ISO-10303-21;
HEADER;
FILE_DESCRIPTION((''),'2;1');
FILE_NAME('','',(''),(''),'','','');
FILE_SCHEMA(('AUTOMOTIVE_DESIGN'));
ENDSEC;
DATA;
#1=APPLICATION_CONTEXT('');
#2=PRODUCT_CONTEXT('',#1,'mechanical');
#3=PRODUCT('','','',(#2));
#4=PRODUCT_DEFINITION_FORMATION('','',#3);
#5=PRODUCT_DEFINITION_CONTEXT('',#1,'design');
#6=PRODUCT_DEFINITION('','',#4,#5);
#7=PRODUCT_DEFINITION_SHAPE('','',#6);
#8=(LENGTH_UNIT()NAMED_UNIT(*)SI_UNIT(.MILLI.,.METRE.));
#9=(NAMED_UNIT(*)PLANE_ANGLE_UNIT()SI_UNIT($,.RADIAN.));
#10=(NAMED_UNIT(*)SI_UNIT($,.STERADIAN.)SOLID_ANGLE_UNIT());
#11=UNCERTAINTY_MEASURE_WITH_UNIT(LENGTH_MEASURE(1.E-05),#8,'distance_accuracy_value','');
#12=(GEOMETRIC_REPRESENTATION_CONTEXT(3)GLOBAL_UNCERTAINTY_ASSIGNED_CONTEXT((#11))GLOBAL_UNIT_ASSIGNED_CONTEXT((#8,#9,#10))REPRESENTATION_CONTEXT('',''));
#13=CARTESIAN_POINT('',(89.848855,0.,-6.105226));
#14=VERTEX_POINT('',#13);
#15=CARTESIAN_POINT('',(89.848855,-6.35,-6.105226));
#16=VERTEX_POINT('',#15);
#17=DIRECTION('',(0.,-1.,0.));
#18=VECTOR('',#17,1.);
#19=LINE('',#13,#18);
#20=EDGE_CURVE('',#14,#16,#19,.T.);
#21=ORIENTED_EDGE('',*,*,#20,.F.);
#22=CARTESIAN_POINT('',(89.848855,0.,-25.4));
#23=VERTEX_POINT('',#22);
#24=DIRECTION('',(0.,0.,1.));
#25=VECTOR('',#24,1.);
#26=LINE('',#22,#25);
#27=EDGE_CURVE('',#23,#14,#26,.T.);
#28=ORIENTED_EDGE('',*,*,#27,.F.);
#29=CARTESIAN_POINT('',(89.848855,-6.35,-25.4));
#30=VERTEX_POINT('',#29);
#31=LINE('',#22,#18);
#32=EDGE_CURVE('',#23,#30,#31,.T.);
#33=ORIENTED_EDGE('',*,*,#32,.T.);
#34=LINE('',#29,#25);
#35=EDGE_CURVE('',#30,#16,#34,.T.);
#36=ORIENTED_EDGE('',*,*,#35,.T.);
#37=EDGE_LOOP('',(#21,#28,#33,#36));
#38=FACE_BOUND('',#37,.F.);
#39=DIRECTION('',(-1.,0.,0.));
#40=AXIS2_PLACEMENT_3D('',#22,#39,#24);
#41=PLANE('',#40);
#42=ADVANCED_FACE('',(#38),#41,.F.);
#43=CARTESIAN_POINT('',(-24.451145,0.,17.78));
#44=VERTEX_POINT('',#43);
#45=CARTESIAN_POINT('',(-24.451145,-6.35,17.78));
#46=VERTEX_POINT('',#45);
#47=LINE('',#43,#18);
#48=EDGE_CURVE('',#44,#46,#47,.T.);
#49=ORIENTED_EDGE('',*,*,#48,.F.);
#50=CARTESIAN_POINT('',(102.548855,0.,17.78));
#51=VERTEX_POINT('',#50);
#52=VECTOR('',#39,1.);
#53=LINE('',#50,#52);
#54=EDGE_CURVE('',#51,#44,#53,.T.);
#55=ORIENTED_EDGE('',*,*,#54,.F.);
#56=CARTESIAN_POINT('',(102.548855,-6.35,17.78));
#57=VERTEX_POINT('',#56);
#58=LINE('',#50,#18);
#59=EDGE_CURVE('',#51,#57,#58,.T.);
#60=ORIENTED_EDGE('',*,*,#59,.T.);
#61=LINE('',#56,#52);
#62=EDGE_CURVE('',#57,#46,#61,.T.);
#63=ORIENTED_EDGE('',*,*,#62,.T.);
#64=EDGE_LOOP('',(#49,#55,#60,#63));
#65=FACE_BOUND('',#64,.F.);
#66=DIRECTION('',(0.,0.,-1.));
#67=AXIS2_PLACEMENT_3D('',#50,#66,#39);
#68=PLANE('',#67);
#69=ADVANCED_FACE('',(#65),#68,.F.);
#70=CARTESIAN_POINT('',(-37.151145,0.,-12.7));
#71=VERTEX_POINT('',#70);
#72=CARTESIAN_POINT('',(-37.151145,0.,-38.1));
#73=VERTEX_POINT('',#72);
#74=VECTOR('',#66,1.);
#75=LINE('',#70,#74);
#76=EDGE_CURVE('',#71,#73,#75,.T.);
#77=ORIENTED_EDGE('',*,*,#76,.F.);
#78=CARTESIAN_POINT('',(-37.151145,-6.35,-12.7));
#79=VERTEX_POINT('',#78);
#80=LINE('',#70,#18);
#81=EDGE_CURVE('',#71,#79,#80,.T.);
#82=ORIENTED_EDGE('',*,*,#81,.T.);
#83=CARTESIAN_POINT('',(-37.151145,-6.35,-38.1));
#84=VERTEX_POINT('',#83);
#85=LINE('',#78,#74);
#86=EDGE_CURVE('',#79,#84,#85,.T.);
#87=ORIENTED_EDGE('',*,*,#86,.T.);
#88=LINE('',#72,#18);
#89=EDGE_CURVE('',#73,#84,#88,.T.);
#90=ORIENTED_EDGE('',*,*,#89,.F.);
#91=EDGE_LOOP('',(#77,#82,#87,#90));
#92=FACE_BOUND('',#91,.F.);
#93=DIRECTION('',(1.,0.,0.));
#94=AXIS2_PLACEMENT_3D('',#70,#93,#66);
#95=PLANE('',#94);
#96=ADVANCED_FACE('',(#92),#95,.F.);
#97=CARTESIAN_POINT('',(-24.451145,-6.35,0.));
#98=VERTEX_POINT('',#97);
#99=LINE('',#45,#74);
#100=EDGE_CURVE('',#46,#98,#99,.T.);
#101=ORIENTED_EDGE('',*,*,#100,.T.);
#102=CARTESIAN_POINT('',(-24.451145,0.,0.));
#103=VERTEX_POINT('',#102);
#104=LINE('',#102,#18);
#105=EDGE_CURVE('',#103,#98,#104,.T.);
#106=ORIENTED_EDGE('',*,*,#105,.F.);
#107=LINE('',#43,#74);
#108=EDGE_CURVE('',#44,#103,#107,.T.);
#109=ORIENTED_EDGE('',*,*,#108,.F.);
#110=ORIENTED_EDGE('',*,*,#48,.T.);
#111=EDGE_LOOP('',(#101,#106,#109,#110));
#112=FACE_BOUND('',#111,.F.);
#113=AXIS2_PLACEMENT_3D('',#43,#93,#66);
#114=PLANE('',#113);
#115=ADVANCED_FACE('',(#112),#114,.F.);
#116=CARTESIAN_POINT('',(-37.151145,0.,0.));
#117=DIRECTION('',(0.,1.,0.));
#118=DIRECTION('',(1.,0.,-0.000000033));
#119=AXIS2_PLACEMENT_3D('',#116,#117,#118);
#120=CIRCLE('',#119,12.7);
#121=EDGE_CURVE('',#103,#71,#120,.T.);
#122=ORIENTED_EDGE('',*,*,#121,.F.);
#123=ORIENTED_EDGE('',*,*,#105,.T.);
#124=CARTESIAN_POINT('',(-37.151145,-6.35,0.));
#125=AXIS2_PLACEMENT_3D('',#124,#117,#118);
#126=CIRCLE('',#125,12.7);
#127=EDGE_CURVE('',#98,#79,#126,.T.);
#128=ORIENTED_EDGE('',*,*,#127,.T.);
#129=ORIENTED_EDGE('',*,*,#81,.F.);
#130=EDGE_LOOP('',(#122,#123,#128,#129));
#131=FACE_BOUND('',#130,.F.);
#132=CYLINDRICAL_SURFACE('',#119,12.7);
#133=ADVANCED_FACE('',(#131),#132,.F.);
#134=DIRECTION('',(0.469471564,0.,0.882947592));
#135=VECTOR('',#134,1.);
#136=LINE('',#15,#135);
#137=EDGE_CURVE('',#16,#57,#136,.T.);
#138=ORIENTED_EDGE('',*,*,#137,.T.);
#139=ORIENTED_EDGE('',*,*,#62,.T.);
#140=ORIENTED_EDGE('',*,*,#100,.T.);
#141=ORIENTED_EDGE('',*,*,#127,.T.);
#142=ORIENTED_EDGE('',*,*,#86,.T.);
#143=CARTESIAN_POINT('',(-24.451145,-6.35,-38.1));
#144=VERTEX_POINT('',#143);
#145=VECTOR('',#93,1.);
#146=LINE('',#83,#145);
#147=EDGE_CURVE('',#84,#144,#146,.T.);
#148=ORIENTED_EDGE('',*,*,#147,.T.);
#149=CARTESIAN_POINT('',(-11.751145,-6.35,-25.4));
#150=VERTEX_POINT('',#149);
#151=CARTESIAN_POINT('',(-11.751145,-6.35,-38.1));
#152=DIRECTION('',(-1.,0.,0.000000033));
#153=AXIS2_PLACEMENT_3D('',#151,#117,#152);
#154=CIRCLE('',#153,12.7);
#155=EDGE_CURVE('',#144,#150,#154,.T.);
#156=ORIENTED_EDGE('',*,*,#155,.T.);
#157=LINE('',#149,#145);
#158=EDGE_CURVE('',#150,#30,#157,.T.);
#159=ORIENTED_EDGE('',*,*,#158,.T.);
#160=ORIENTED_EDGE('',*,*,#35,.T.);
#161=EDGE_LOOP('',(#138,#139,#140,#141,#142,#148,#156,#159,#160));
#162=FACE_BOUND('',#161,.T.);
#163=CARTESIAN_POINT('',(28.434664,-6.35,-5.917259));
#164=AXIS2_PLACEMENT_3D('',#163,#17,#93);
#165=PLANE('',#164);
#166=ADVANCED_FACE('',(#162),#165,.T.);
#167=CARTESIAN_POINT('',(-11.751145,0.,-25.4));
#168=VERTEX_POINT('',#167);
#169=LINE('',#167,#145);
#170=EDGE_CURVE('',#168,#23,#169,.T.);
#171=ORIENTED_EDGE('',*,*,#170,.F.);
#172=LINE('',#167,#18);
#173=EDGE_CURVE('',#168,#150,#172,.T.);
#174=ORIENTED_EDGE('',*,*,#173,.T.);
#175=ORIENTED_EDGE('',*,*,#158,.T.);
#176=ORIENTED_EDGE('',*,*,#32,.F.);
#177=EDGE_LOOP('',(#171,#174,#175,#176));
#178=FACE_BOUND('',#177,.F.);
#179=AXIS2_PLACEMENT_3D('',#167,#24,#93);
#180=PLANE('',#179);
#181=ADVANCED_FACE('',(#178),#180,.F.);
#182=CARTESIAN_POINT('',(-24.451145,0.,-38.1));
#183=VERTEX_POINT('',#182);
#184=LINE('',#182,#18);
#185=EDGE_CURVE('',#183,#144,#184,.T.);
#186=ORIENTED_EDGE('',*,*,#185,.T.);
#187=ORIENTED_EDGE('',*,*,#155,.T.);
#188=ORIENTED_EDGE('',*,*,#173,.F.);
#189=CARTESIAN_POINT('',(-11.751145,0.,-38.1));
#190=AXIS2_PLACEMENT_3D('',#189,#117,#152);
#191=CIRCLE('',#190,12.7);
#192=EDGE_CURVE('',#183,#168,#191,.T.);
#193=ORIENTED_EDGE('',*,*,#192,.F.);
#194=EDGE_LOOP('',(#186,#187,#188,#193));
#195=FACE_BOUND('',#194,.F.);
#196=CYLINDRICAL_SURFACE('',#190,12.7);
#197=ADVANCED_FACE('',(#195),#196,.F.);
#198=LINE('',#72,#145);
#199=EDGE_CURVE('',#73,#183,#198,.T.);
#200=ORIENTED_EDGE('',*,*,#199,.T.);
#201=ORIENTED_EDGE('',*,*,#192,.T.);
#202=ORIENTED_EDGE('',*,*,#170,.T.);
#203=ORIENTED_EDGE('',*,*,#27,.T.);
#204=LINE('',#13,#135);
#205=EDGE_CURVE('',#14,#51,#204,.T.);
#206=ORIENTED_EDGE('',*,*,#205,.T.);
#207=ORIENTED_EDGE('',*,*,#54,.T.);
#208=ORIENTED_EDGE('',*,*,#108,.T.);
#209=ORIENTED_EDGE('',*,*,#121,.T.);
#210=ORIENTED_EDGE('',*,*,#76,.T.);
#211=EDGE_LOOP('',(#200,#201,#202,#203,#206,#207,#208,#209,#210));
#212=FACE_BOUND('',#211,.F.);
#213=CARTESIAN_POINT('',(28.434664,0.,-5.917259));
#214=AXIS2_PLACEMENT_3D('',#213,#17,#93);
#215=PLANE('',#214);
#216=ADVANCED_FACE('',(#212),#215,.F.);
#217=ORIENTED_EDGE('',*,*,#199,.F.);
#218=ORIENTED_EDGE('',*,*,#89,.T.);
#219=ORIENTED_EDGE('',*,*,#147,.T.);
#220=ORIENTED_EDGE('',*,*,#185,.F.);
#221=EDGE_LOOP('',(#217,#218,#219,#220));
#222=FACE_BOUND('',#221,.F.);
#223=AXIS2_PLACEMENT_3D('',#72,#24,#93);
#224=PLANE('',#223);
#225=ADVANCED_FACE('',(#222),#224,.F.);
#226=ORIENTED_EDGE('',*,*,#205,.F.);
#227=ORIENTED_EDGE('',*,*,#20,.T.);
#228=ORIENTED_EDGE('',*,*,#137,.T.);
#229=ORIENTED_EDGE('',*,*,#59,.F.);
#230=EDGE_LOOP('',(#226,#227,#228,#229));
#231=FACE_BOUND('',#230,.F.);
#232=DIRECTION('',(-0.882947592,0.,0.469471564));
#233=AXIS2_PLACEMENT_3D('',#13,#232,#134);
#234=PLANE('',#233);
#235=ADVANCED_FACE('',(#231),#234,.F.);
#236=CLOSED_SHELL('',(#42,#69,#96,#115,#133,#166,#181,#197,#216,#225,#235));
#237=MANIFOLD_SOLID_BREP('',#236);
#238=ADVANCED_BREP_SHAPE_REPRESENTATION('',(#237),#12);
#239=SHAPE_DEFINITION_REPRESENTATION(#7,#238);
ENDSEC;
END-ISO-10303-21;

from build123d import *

# Parameters (mm, degrees)
F1_DEPTH = 6.35


with BuildPart() as f1:
    # F0 (on Front) → F1 (new body)
    with BuildSketch(Plane.XZ):
        with BuildLine():
            Line((102.548855, 17.78), (-24.451145, 17.78))
            Line((-24.451145, 17.78), (-24.451145, 0))
            ThreePointArc((-24.451145, 0), (-28.170889, -8.980256), (-37.151145, -12.7))
            Line((-37.151145, -12.7), (-37.151145, -38.1))
            Line((-37.151145, -38.1), (-24.451145, -38.1))
            ThreePointArc((-24.451145, -38.1), (-20.731401, -29.119744), (-11.751145, -25.4))
            Line((-11.751145, -25.4), (89.848855, -25.4))
            Line((89.848855, -25.4), (89.848855, -6.105226))
            Line((89.848855, -6.105226), (102.548855, 17.78))
        make_face()
    extrude(amount=F1_DEPTH)


solid = f1.part
